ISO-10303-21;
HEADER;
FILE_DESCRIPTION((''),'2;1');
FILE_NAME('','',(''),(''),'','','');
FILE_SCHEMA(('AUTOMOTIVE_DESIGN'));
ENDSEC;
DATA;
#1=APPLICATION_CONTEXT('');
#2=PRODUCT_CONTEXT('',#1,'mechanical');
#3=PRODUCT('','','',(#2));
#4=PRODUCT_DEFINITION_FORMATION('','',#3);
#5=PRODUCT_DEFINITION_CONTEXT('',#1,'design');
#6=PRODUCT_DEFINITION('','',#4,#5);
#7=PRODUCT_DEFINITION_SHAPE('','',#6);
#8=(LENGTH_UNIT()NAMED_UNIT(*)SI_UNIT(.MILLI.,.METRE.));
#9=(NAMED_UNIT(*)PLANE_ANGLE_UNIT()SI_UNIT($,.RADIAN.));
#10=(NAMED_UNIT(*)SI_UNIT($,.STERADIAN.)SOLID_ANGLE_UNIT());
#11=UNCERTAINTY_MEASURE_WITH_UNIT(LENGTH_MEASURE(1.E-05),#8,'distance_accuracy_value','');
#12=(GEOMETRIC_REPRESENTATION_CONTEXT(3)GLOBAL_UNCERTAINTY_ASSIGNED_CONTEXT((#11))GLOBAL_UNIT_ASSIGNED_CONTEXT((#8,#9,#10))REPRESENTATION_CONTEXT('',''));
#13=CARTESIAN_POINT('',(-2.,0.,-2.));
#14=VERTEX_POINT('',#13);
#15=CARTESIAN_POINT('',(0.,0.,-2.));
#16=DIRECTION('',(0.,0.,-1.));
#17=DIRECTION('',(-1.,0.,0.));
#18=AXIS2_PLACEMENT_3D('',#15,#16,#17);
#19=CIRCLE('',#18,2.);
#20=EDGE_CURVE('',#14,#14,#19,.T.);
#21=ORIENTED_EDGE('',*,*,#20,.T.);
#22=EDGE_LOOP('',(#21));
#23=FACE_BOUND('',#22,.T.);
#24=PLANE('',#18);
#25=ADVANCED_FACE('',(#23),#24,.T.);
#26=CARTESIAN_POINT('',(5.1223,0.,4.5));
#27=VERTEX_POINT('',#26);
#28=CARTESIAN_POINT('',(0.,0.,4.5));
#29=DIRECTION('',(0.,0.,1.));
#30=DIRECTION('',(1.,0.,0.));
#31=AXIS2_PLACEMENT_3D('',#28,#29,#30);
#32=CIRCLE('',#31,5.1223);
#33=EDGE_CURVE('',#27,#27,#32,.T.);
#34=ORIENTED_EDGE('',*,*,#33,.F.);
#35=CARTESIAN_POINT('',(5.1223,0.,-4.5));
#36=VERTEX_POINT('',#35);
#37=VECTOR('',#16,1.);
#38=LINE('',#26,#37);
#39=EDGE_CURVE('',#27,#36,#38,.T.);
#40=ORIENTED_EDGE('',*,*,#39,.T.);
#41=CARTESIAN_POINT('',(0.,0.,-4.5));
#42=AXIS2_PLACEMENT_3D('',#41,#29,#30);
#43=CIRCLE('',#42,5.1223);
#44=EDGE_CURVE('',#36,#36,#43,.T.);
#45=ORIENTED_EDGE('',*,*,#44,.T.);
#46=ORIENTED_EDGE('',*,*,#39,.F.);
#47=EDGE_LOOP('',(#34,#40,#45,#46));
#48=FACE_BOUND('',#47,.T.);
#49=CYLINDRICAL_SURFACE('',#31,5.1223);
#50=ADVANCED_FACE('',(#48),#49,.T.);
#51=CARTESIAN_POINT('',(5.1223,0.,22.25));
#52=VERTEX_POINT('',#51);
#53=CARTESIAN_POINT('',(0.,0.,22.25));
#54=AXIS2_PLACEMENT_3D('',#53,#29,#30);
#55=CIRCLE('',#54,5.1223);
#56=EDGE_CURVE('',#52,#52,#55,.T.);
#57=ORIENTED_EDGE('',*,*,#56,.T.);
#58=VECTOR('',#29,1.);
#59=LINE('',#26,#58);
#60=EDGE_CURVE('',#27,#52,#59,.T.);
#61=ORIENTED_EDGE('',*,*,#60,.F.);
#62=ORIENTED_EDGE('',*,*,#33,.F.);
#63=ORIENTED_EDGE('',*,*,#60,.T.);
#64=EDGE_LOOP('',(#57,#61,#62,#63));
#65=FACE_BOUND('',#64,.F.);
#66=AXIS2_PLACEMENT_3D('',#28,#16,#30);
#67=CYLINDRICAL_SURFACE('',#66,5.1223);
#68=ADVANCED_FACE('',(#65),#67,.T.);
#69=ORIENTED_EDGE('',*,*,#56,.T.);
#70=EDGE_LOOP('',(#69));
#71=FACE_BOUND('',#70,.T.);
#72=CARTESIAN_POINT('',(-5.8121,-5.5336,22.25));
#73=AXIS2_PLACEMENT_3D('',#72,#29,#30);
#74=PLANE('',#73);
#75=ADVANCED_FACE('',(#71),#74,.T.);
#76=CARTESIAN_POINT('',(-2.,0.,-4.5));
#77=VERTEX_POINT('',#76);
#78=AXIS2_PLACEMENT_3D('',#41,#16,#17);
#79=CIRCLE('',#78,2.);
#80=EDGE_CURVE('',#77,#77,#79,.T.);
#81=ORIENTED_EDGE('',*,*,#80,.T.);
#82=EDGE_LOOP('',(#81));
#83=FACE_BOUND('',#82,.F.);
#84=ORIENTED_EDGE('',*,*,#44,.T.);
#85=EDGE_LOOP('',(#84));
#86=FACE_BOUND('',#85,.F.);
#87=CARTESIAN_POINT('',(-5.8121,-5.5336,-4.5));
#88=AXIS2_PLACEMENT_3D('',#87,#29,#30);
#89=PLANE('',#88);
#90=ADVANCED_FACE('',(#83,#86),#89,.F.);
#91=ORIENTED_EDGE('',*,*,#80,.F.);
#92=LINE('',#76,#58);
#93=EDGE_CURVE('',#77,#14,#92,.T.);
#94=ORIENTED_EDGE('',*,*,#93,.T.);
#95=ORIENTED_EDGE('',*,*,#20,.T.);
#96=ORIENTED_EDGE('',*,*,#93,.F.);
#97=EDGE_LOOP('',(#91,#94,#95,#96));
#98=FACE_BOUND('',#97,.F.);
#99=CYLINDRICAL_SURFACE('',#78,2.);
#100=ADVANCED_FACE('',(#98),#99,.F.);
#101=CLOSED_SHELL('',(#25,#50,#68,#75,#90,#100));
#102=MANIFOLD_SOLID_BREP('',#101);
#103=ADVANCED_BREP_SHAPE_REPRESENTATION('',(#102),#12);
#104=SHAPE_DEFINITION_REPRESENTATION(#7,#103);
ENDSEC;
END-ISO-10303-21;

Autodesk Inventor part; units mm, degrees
ref_plane "YZ Plane" through (0, 0, 0) normal (1, 0, 0) x (0, 1, 0)
ref_plane "XZ Plane" through (0, 0, 0) normal (0, 1, 0) x (-1, 0, 0)
ref_plane "XY Plane" through (0, 0, 0) normal (0, 0, 1) x (1, 0, 0)
sketch "スケッチ1" plane through (-5.8121, -5.5336, 4.5) normal (0, 0, 1) x (1, 0, 0)
  circle A0 centre (5.8121, 5.5336) radius 5.1223
extrude "押し出し1" add sketch "スケッチ1" along normal blind 17.75 and the other way blind 9
sketch "スケッチ2" plane through (0, 0, -4.5) normal (0, 0, -1) x (-1, 0, 0)
  circle A0 centre (0, 0) radius 2
  dimension "d4" = 4
extrude "押し出し2" cut sketch "スケッチ2" against normal blind 2.5
properties part number "bearing-nairin"
